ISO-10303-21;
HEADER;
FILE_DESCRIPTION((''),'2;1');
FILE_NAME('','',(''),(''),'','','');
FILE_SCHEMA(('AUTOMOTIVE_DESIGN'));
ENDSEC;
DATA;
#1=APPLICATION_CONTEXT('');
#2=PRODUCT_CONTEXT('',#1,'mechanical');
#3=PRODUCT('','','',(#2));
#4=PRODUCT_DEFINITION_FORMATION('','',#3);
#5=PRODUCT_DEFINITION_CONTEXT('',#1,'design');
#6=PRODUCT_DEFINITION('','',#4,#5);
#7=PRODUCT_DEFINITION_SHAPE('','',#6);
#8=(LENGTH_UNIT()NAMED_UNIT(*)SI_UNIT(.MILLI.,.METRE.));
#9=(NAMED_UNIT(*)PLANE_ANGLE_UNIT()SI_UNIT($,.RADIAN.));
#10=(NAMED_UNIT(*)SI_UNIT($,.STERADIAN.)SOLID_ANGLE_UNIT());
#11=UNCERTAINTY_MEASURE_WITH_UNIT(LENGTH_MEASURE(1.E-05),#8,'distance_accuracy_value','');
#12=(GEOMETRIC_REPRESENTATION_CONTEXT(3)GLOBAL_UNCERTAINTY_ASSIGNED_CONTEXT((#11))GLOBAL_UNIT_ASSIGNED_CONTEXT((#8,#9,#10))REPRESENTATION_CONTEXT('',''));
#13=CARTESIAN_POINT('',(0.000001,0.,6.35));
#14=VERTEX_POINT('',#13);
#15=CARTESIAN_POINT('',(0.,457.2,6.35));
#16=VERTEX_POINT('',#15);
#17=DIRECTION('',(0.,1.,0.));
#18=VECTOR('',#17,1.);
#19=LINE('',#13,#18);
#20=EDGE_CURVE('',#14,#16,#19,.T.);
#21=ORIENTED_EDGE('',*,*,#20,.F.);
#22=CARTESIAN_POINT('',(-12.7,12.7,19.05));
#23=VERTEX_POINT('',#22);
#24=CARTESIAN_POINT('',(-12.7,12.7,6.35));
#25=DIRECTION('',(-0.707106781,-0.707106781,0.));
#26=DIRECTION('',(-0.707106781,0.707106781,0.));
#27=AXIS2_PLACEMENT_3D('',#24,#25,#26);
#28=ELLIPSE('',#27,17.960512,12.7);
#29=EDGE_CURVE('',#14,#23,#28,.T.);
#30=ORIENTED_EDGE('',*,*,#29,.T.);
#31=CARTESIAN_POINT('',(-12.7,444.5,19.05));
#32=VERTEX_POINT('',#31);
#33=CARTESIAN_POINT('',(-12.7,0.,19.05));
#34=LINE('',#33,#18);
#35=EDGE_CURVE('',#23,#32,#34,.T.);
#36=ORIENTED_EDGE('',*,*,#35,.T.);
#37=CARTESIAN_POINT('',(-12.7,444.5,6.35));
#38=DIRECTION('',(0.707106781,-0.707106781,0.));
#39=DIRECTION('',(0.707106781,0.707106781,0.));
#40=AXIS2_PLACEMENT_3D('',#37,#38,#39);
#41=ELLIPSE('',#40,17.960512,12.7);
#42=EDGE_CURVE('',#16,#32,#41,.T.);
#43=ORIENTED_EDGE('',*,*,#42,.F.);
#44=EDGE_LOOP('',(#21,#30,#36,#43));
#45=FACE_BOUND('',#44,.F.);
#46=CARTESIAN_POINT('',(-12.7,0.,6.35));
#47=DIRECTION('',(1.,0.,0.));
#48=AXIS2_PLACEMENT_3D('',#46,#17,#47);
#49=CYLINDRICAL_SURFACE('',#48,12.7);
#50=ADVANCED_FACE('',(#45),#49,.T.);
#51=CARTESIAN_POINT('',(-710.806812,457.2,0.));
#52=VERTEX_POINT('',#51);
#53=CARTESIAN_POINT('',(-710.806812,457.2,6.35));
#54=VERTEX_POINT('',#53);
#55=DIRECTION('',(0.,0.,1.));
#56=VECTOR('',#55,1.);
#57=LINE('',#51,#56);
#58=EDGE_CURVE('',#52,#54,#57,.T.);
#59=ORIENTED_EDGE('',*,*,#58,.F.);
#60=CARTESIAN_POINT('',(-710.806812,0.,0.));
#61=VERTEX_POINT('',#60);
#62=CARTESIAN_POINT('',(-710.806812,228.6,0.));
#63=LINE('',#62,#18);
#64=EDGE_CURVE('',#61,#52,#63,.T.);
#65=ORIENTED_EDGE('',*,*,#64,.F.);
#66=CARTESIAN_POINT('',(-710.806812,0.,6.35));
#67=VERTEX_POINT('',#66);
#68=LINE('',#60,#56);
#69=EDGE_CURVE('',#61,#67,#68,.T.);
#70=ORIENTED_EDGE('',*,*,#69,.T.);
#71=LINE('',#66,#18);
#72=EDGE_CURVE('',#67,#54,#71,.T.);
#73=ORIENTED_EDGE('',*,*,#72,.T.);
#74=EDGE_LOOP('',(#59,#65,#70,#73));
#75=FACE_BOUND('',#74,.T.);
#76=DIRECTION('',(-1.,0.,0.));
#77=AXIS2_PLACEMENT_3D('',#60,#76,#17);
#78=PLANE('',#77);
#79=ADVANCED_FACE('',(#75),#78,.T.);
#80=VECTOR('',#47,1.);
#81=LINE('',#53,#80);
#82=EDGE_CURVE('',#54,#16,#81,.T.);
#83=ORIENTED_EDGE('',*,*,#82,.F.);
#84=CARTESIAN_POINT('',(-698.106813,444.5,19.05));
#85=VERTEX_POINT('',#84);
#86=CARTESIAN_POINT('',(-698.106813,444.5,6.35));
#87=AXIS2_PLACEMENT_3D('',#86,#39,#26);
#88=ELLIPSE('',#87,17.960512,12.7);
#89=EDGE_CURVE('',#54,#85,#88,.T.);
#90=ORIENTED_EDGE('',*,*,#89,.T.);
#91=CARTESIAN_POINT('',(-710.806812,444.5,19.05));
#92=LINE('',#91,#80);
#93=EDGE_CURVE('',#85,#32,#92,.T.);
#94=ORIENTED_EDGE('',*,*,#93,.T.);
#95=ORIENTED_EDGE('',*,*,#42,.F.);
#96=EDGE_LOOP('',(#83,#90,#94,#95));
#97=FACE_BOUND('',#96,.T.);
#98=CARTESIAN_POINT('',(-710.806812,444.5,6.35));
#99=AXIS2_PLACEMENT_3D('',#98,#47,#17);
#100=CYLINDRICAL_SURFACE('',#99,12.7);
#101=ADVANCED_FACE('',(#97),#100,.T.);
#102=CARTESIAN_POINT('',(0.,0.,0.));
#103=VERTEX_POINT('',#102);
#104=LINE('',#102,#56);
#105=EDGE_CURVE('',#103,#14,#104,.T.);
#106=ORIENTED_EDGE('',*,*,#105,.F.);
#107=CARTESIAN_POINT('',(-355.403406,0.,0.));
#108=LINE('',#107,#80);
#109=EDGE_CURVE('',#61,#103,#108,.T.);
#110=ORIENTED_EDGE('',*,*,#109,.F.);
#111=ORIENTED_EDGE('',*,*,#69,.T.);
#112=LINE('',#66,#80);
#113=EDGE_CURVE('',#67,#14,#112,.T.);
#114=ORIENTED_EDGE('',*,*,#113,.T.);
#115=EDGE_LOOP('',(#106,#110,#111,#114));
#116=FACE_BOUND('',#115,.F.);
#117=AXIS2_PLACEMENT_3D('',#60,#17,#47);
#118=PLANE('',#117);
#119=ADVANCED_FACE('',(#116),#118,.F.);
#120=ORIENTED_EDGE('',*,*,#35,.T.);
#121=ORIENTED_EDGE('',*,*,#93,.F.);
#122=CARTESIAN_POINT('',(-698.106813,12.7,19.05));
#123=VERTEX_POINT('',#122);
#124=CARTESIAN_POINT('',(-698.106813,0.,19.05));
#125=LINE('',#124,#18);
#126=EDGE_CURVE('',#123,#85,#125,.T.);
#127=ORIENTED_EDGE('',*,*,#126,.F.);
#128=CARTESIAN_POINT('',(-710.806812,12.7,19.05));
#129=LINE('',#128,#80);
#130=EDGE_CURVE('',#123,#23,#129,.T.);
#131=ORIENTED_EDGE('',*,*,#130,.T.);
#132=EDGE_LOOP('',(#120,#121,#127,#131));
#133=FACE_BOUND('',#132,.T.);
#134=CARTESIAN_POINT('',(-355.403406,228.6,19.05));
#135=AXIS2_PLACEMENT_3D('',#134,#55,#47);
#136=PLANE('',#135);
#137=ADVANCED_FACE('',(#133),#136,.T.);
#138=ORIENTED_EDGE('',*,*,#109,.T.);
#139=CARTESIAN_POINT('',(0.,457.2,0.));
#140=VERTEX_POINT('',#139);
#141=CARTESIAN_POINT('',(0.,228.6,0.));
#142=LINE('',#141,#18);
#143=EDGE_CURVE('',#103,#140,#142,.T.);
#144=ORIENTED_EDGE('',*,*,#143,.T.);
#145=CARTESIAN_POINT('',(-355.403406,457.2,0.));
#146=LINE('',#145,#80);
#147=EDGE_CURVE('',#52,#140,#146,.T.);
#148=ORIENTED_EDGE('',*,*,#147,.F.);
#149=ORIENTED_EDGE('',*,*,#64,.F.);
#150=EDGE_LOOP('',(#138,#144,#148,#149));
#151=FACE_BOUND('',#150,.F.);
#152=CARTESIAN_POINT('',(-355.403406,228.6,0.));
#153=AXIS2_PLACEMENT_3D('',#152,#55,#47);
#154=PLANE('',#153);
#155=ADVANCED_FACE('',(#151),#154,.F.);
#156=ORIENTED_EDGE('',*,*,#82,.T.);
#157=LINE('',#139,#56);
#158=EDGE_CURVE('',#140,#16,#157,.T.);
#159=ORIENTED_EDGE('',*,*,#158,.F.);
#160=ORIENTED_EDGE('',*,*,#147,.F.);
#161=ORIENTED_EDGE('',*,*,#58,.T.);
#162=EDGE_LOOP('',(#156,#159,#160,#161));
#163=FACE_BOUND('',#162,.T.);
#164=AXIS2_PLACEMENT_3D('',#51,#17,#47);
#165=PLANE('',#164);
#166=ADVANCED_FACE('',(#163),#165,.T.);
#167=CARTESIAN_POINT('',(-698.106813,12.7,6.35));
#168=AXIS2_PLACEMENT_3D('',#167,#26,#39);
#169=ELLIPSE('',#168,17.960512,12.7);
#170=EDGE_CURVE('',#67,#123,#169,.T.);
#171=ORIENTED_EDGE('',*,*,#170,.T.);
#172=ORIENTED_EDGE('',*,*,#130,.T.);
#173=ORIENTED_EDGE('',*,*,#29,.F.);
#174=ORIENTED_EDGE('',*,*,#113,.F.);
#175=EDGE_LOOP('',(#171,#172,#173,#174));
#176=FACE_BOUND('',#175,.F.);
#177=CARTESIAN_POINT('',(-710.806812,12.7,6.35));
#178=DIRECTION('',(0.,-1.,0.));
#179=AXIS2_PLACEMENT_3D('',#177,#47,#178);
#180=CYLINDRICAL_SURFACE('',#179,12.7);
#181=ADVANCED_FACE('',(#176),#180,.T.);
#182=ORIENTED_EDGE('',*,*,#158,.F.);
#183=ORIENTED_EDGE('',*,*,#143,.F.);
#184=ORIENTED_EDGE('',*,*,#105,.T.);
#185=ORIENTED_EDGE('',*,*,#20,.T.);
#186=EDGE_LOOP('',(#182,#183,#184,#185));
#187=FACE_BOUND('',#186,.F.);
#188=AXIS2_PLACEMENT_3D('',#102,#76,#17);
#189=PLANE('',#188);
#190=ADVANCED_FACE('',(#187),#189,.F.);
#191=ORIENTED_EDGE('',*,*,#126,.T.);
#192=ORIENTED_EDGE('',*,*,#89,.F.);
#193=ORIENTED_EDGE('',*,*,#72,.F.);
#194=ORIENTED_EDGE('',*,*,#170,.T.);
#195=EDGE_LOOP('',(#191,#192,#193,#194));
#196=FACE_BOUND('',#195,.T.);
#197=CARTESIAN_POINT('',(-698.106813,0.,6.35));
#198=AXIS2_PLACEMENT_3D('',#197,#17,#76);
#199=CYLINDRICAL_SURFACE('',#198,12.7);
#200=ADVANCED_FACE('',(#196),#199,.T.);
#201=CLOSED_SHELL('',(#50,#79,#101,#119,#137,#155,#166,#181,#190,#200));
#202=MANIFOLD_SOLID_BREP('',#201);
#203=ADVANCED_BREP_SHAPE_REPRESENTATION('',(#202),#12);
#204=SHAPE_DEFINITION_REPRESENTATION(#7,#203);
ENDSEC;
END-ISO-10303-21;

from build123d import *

# Parameters (mm, degrees)
F0_W     = 710.806813
F0_H     = 457.2
F1_DEPTH = 19.05
F2_R     = 12.7


with BuildPart() as f1:
    # F0 (on Top) → F1 (new body)
    with BuildSketch(Plane.XY):
        with Locations((-355.403406, 228.6)):
            Rectangle(F0_W, F0_H)
    extrude(amount=F1_DEPTH)

    # F2
    f2_edges = [f1.edges().sort_by_distance(p)[0] for p in [
        (-710.806813, 228.6, 19.05),
        (-355.403406, 457.2, 19.05),
        (0, 228.6, 19.05),
        (-355.403406, 0, 19.05),
    ]]
    fillet(f2_edges, radius=F2_R)


solid = f1.part
